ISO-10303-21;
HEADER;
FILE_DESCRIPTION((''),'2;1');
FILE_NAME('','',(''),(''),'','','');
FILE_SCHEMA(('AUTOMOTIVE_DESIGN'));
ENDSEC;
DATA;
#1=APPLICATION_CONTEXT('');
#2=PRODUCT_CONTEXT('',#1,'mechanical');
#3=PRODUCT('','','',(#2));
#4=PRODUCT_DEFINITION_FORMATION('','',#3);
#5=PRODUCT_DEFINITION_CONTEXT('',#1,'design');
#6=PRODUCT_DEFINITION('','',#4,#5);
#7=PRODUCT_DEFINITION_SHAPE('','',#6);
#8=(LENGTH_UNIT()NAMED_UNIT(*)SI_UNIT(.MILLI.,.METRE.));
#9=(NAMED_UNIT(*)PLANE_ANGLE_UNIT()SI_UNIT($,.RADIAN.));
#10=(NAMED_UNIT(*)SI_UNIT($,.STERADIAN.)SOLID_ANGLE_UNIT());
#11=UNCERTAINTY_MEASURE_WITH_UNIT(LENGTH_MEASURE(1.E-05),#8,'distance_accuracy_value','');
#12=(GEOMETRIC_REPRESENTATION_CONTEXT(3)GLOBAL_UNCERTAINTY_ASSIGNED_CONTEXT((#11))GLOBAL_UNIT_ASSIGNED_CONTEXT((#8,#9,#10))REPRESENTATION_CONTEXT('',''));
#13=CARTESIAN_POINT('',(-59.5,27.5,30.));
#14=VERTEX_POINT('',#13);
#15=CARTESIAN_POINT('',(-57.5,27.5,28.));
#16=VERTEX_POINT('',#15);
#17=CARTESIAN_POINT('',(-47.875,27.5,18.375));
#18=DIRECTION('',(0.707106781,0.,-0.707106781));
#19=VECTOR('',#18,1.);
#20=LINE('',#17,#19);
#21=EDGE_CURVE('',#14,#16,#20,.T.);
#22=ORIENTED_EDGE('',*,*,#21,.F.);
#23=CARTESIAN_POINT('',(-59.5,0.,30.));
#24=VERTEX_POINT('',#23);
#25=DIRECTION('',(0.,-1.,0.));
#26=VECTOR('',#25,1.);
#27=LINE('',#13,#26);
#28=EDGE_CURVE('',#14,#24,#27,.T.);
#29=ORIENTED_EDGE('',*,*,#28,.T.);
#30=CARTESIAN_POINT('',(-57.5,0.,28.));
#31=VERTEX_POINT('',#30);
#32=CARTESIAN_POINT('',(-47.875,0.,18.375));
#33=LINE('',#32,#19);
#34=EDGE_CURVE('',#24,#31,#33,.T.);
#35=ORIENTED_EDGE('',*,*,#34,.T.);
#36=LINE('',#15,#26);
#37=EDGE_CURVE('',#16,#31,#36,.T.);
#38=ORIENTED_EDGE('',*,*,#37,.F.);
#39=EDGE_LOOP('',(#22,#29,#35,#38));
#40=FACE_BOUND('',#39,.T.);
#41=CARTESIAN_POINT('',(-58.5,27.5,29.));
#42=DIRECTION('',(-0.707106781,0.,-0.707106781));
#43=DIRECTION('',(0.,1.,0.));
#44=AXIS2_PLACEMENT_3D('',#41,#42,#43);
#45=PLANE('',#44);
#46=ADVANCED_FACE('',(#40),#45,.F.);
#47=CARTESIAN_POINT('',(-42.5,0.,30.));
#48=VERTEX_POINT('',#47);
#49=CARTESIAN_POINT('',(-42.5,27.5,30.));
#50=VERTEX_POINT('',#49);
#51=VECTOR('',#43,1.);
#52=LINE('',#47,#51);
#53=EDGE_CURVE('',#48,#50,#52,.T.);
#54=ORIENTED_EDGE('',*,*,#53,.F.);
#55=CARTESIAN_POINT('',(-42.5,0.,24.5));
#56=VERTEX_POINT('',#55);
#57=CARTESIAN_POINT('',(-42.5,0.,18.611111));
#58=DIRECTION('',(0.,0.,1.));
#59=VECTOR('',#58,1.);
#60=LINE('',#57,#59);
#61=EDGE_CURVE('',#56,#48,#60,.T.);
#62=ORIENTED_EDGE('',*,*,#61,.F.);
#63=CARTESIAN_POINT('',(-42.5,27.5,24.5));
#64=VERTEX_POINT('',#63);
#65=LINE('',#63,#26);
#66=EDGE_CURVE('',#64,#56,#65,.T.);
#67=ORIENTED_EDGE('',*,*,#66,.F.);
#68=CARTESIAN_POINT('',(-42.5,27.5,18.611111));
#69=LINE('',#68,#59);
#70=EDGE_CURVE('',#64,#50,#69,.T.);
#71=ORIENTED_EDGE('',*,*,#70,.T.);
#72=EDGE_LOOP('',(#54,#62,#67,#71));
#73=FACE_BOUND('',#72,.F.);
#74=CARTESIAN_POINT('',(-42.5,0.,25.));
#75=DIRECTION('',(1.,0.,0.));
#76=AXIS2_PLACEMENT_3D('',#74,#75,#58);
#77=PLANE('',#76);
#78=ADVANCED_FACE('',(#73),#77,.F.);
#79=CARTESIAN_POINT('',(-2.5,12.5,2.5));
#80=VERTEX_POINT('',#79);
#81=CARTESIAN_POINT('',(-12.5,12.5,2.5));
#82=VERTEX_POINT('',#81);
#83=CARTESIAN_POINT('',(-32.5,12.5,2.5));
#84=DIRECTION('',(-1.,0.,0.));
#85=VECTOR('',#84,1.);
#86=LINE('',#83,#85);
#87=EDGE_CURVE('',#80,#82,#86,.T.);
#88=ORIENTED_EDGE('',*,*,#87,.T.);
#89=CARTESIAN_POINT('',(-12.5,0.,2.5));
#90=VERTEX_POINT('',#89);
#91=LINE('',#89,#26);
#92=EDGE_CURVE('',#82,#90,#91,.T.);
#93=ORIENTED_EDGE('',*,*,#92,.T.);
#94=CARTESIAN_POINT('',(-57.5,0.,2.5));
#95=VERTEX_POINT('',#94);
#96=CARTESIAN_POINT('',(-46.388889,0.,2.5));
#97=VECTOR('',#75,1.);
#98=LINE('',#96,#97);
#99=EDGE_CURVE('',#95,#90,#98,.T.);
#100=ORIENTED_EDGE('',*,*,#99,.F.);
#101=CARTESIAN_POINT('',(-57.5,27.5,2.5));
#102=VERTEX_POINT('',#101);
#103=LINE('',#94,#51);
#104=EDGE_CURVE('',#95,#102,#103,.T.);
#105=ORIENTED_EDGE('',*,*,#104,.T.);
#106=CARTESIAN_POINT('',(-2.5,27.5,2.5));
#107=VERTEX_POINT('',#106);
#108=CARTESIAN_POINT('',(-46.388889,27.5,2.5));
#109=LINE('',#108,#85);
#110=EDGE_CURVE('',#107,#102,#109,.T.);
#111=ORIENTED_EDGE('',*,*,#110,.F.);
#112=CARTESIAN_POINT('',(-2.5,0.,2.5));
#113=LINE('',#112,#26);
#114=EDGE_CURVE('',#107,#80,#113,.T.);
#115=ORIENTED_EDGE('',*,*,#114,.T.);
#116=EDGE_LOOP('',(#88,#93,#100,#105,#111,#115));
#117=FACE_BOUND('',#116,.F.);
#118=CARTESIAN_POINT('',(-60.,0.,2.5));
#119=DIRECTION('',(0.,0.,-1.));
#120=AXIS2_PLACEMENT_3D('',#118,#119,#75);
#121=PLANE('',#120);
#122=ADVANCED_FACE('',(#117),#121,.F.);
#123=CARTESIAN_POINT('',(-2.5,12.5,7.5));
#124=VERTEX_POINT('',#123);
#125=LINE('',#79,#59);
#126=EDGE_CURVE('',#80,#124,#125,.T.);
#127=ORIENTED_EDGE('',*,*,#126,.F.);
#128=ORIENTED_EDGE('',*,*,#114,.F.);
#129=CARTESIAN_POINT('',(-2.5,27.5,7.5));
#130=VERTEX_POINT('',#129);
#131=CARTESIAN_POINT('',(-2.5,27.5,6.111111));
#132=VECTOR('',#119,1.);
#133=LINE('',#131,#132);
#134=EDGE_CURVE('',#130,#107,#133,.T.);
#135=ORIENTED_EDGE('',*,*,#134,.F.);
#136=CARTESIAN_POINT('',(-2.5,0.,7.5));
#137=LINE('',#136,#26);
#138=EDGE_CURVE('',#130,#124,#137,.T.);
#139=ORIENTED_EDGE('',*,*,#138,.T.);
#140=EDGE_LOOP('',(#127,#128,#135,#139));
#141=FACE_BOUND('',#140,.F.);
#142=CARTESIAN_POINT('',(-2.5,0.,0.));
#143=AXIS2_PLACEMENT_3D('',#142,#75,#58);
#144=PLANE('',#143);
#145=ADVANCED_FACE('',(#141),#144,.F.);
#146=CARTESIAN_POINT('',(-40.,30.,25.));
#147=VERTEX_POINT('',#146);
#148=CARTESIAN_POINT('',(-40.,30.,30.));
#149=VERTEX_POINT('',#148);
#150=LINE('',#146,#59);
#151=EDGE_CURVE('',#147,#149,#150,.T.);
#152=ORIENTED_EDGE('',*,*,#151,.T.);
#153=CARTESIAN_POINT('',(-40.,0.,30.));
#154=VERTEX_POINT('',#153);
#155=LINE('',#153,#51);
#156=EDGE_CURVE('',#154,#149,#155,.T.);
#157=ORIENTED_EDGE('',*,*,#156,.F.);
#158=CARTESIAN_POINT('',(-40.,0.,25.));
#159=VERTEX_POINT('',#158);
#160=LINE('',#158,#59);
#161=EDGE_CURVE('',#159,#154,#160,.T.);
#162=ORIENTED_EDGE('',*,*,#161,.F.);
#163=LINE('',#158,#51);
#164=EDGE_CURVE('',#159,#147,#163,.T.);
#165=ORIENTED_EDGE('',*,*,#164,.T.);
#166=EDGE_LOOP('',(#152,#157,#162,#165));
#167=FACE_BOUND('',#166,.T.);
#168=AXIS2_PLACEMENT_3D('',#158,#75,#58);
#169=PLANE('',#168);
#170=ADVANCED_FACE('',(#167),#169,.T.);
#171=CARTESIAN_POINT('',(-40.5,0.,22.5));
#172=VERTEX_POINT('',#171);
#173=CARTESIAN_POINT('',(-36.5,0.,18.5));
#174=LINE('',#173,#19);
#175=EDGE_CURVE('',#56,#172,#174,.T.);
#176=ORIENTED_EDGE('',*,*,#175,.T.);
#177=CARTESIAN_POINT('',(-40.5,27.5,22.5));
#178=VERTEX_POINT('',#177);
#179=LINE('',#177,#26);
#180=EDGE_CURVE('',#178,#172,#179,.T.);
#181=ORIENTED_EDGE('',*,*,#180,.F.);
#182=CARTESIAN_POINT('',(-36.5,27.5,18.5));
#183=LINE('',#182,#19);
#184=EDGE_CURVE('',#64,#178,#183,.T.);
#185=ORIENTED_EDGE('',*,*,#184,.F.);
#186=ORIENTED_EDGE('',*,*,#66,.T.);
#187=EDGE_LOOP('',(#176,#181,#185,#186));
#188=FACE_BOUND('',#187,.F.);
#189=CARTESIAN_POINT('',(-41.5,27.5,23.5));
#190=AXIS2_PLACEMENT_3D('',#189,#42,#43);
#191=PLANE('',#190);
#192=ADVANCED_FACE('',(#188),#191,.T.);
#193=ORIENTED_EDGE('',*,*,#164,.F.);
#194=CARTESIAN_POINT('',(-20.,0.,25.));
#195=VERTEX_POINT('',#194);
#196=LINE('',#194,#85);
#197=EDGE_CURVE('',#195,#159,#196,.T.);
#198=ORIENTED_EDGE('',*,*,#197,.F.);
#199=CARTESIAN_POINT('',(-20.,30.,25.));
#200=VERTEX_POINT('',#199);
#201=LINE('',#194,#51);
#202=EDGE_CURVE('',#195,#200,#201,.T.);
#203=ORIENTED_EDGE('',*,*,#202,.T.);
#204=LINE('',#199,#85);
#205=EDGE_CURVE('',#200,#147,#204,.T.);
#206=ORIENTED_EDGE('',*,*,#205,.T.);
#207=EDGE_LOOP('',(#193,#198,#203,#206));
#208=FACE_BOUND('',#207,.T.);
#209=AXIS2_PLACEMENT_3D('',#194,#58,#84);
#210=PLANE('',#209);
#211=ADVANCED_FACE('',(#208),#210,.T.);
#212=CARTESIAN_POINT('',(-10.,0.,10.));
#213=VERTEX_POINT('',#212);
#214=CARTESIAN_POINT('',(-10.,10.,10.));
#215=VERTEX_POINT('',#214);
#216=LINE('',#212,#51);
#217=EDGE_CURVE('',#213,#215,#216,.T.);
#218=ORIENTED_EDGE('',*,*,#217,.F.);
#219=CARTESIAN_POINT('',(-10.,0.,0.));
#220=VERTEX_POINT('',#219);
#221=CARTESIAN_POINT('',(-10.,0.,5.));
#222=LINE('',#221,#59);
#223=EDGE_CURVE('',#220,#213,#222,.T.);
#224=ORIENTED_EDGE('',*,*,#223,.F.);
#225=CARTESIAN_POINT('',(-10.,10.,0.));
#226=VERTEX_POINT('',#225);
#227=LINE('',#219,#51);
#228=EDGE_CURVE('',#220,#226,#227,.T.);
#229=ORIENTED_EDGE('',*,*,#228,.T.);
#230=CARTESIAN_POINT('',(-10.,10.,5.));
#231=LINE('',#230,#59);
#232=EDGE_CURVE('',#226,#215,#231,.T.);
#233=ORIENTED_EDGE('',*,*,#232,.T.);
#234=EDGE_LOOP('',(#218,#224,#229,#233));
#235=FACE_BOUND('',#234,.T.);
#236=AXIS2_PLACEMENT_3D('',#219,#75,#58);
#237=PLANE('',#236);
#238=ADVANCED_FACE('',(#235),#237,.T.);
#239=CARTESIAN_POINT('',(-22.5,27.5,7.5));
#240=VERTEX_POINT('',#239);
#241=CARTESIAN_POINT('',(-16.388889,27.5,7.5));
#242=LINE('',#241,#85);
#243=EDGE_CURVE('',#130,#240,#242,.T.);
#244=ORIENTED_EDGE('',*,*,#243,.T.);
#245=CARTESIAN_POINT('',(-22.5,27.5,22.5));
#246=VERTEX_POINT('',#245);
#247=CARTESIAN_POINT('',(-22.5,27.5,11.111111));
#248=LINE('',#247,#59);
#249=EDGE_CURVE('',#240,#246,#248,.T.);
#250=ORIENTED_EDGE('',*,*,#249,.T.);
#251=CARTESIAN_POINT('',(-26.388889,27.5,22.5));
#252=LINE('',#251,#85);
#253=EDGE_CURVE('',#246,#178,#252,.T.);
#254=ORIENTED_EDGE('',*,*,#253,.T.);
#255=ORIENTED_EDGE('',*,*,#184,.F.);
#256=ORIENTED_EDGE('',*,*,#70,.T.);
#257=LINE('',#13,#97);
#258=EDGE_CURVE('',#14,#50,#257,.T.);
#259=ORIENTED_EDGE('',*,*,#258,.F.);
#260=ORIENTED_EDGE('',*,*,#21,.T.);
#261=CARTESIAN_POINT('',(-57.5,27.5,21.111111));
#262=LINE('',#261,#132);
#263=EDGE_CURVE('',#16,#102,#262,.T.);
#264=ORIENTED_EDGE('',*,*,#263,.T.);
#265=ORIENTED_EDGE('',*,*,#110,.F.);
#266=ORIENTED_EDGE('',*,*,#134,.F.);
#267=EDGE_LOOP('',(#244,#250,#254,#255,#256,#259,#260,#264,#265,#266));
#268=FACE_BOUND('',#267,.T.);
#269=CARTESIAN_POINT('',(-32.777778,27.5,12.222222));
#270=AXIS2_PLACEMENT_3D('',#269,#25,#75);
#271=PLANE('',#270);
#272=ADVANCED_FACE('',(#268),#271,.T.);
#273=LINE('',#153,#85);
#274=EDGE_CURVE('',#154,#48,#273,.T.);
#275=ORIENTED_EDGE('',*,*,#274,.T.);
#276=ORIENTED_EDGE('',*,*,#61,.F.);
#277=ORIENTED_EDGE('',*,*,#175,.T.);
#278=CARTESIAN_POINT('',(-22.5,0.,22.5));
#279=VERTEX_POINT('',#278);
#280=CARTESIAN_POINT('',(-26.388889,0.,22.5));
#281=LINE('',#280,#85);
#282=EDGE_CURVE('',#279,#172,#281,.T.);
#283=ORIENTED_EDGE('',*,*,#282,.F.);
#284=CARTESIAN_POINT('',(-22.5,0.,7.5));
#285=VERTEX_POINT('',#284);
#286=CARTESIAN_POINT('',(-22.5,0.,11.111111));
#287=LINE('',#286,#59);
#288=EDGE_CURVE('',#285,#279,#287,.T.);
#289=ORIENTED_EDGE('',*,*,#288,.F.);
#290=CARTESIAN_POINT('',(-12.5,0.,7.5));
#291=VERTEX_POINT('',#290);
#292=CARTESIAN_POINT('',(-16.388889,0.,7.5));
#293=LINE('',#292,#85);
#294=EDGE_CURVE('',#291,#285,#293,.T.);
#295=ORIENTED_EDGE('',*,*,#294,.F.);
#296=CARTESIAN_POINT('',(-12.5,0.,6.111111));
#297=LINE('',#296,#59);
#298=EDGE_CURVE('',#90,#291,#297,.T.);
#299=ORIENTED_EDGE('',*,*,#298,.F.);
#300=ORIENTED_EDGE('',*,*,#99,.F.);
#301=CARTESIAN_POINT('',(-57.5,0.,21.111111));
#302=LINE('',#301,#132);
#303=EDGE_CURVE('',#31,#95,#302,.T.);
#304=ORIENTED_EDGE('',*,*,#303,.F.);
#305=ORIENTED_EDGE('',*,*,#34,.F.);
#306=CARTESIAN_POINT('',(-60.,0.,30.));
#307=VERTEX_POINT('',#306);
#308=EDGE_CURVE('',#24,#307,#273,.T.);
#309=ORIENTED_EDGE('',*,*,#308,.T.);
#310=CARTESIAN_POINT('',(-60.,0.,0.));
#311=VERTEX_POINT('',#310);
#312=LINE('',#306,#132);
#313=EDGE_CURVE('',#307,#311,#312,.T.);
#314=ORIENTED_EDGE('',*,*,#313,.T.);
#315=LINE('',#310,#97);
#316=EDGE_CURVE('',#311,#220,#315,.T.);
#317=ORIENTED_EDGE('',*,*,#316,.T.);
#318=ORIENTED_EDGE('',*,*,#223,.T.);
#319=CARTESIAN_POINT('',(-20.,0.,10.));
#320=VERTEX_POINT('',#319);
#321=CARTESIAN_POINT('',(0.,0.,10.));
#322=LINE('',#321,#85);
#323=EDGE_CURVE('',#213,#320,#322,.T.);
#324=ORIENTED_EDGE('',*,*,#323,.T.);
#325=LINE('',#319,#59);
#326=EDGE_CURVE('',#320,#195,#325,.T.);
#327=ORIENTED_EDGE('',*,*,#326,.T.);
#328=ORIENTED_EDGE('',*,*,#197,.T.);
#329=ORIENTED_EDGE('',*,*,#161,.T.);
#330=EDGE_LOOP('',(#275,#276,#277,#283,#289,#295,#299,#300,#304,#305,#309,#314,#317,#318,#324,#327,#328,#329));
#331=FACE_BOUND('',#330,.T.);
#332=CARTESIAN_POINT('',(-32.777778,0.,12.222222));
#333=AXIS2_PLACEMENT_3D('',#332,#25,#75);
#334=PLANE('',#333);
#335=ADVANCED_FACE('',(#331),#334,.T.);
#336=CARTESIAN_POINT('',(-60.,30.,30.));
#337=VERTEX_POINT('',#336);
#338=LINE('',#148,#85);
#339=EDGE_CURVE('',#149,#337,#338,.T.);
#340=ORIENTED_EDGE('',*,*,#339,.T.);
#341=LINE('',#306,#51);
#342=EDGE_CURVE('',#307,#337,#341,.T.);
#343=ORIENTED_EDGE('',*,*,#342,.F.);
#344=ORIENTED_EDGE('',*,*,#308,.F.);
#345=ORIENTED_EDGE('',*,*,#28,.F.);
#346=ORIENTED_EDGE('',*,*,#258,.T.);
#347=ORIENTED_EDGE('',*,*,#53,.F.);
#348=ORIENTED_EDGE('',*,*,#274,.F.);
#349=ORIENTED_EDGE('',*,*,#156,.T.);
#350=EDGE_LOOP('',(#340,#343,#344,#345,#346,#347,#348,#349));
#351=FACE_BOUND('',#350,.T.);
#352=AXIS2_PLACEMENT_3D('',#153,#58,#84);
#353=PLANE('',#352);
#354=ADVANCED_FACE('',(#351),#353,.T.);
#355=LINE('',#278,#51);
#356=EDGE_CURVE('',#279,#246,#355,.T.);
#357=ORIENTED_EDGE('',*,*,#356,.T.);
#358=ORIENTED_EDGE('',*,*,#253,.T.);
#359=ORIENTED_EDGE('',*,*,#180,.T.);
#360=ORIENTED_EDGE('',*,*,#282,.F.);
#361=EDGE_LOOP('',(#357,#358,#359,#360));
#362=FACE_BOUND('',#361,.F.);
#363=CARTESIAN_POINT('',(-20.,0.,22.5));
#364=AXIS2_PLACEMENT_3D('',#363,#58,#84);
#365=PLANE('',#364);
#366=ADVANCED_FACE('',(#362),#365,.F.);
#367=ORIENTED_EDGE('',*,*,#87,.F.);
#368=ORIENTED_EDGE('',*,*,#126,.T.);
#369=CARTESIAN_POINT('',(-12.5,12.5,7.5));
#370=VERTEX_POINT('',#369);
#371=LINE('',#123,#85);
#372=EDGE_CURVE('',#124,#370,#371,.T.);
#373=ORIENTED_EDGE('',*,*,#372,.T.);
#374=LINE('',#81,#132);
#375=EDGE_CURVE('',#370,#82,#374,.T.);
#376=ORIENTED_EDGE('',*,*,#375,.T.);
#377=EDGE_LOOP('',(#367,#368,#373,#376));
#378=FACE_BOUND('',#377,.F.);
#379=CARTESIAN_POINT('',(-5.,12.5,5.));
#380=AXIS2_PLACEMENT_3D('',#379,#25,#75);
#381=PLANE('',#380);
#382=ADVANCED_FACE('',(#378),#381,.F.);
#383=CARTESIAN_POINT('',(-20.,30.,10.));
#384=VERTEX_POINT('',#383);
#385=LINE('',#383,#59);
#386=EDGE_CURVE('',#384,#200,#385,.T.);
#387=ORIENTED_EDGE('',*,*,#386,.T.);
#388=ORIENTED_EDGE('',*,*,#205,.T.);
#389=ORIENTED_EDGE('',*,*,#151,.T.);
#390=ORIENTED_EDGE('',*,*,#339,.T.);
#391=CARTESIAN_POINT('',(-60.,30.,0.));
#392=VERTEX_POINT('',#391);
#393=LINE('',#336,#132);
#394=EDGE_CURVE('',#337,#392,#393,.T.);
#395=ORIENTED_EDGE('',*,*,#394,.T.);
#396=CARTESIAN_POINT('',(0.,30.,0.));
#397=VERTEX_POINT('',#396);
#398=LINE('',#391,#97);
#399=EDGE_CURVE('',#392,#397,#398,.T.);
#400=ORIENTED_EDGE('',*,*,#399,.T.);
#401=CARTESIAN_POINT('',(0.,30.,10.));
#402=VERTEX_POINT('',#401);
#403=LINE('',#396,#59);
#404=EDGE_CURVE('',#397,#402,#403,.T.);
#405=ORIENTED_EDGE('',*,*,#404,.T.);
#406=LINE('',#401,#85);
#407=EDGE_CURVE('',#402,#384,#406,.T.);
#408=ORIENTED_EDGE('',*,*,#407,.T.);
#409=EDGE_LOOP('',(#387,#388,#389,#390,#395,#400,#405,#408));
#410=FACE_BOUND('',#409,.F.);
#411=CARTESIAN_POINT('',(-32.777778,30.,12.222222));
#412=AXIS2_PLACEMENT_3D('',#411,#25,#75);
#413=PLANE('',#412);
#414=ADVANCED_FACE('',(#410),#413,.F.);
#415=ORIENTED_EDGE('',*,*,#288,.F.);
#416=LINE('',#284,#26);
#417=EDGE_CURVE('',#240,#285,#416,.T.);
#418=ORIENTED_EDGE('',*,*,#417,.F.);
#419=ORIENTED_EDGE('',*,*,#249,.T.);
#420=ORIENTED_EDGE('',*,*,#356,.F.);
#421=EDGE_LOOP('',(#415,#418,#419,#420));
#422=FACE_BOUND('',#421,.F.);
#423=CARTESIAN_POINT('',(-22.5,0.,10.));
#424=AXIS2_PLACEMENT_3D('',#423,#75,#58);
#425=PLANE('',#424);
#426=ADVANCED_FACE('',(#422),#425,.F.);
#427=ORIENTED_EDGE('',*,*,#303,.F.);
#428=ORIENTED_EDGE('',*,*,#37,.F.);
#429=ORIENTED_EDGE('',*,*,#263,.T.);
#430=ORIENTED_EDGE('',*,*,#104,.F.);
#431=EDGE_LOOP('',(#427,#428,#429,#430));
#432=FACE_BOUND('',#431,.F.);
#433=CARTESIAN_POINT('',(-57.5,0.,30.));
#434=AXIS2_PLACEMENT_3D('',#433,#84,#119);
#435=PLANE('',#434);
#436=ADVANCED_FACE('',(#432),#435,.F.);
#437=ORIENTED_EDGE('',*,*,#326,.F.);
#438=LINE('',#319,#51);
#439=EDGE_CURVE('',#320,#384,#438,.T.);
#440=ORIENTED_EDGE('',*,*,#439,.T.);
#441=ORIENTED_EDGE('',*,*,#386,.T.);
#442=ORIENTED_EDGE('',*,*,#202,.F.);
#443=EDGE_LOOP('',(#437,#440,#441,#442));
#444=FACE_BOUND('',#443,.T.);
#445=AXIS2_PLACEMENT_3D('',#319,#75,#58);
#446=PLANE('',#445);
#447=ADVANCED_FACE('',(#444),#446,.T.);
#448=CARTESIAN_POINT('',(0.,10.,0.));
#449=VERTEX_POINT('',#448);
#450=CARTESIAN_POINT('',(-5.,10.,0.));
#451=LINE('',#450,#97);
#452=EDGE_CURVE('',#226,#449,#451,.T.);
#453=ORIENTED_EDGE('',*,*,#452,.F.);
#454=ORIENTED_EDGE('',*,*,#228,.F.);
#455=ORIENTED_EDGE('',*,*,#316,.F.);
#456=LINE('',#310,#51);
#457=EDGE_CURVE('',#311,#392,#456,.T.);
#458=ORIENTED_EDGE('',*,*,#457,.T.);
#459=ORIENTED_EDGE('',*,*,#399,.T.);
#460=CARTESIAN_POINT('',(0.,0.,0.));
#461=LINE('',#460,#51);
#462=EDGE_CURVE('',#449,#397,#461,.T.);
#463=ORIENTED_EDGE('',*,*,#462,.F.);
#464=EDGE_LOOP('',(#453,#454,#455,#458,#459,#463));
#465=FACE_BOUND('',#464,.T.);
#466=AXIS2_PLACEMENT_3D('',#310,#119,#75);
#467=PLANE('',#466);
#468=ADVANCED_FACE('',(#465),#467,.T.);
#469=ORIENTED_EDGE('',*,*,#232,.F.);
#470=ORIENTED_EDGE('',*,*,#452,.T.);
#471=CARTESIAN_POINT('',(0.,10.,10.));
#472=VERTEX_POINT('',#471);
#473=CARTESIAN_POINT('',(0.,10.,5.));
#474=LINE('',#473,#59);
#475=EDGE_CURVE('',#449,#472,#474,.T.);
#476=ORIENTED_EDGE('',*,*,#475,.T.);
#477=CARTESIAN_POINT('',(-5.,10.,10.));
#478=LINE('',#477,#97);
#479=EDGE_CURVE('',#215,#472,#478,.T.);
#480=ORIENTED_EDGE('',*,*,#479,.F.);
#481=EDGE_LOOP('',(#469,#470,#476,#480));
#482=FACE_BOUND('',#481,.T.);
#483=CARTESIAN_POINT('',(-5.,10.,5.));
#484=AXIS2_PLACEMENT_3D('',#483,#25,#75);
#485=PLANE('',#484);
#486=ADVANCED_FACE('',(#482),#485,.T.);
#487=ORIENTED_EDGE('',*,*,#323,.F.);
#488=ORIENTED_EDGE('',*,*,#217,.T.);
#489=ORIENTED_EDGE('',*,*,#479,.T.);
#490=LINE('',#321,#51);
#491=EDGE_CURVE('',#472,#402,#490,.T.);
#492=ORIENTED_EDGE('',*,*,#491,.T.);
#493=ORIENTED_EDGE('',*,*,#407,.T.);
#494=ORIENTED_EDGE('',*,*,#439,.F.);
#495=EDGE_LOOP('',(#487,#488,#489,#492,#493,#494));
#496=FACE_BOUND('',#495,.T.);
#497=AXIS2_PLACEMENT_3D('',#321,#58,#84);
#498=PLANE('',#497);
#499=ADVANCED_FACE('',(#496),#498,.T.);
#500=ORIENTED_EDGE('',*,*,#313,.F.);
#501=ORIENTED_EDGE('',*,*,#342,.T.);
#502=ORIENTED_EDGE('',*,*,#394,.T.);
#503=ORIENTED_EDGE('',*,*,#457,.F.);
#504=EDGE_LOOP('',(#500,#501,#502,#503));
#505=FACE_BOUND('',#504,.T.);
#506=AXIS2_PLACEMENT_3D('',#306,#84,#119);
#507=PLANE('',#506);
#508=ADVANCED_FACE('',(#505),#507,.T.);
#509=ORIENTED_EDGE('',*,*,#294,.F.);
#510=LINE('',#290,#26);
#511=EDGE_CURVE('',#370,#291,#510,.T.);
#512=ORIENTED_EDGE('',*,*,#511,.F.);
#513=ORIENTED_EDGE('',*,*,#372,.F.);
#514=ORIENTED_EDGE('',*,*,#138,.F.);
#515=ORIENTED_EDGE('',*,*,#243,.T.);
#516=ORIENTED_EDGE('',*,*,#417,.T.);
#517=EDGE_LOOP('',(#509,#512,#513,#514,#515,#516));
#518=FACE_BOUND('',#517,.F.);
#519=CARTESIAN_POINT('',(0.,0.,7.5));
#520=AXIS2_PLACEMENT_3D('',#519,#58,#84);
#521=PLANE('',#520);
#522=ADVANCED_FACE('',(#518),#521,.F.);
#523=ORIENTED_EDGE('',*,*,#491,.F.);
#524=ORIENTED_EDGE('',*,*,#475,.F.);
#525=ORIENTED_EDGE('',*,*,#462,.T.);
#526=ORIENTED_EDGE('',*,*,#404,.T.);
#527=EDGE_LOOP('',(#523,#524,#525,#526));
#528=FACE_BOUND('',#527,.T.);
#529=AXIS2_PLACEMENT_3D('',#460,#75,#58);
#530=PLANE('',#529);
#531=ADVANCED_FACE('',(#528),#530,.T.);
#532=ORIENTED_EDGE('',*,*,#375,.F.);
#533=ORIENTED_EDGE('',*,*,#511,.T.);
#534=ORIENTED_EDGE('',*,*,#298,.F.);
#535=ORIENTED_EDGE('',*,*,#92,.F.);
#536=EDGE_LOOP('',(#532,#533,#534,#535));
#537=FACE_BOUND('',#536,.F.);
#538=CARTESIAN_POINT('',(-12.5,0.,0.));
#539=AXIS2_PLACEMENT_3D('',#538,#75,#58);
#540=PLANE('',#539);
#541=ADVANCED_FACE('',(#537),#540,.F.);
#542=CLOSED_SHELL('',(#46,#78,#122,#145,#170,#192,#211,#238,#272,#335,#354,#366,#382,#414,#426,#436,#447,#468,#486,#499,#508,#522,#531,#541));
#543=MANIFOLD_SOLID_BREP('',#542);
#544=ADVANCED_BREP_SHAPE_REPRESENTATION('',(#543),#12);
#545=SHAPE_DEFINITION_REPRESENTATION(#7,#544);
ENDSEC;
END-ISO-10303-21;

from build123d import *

# Parameters (mm, degrees)
F1_DEPTH = 30
F2_W     = 10
F2_H     = 10
F3_DEPTH = 10
F4_T     = -2.5
F5_SIZE  = 2
F6_SIZE  = 2


with BuildPart() as f1:
    # F0 (on Front) → F1 (new body)
    with BuildSketch(Plane.XZ):
        Polygon((-60, 0), (0, 0), (0, 10), (-20, 10), (-20, 25), (-40, 25), (-40, 30), (-60, 30), align=None)
    extrude(amount=-F1_DEPTH)

    # F2 (on face) → F3 (cut)
    with BuildSketch(Plane.XZ):
        with Locations((-5, 5)):
            Rectangle(F2_W, F2_H)
    extrude(amount=-F3_DEPTH, mode=Mode.SUBTRACT)

    # F4
    f4_openings = [f1.faces().sort_by_distance(p)[0] for p in [
        (-50, 15, 30),
        (-38.75, 0, 13.125),
    ]]
    offset(amount=F4_T, openings=f4_openings, kind=Kind.INTERSECTION)

    # F5
    f5_edges = [f1.edges().sort_by_distance(p)[0] for p in [
        (-57.5, 13.75, 30),
    ]]
    chamfer(f5_edges, length=F5_SIZE)

    # F6
    f6_edges = [f1.edges().sort_by_distance(p)[0] for p in [
        (-42.5, 13.75, 22.5),
    ]]
    chamfer(f6_edges, length=F6_SIZE)


solid = f1.part
